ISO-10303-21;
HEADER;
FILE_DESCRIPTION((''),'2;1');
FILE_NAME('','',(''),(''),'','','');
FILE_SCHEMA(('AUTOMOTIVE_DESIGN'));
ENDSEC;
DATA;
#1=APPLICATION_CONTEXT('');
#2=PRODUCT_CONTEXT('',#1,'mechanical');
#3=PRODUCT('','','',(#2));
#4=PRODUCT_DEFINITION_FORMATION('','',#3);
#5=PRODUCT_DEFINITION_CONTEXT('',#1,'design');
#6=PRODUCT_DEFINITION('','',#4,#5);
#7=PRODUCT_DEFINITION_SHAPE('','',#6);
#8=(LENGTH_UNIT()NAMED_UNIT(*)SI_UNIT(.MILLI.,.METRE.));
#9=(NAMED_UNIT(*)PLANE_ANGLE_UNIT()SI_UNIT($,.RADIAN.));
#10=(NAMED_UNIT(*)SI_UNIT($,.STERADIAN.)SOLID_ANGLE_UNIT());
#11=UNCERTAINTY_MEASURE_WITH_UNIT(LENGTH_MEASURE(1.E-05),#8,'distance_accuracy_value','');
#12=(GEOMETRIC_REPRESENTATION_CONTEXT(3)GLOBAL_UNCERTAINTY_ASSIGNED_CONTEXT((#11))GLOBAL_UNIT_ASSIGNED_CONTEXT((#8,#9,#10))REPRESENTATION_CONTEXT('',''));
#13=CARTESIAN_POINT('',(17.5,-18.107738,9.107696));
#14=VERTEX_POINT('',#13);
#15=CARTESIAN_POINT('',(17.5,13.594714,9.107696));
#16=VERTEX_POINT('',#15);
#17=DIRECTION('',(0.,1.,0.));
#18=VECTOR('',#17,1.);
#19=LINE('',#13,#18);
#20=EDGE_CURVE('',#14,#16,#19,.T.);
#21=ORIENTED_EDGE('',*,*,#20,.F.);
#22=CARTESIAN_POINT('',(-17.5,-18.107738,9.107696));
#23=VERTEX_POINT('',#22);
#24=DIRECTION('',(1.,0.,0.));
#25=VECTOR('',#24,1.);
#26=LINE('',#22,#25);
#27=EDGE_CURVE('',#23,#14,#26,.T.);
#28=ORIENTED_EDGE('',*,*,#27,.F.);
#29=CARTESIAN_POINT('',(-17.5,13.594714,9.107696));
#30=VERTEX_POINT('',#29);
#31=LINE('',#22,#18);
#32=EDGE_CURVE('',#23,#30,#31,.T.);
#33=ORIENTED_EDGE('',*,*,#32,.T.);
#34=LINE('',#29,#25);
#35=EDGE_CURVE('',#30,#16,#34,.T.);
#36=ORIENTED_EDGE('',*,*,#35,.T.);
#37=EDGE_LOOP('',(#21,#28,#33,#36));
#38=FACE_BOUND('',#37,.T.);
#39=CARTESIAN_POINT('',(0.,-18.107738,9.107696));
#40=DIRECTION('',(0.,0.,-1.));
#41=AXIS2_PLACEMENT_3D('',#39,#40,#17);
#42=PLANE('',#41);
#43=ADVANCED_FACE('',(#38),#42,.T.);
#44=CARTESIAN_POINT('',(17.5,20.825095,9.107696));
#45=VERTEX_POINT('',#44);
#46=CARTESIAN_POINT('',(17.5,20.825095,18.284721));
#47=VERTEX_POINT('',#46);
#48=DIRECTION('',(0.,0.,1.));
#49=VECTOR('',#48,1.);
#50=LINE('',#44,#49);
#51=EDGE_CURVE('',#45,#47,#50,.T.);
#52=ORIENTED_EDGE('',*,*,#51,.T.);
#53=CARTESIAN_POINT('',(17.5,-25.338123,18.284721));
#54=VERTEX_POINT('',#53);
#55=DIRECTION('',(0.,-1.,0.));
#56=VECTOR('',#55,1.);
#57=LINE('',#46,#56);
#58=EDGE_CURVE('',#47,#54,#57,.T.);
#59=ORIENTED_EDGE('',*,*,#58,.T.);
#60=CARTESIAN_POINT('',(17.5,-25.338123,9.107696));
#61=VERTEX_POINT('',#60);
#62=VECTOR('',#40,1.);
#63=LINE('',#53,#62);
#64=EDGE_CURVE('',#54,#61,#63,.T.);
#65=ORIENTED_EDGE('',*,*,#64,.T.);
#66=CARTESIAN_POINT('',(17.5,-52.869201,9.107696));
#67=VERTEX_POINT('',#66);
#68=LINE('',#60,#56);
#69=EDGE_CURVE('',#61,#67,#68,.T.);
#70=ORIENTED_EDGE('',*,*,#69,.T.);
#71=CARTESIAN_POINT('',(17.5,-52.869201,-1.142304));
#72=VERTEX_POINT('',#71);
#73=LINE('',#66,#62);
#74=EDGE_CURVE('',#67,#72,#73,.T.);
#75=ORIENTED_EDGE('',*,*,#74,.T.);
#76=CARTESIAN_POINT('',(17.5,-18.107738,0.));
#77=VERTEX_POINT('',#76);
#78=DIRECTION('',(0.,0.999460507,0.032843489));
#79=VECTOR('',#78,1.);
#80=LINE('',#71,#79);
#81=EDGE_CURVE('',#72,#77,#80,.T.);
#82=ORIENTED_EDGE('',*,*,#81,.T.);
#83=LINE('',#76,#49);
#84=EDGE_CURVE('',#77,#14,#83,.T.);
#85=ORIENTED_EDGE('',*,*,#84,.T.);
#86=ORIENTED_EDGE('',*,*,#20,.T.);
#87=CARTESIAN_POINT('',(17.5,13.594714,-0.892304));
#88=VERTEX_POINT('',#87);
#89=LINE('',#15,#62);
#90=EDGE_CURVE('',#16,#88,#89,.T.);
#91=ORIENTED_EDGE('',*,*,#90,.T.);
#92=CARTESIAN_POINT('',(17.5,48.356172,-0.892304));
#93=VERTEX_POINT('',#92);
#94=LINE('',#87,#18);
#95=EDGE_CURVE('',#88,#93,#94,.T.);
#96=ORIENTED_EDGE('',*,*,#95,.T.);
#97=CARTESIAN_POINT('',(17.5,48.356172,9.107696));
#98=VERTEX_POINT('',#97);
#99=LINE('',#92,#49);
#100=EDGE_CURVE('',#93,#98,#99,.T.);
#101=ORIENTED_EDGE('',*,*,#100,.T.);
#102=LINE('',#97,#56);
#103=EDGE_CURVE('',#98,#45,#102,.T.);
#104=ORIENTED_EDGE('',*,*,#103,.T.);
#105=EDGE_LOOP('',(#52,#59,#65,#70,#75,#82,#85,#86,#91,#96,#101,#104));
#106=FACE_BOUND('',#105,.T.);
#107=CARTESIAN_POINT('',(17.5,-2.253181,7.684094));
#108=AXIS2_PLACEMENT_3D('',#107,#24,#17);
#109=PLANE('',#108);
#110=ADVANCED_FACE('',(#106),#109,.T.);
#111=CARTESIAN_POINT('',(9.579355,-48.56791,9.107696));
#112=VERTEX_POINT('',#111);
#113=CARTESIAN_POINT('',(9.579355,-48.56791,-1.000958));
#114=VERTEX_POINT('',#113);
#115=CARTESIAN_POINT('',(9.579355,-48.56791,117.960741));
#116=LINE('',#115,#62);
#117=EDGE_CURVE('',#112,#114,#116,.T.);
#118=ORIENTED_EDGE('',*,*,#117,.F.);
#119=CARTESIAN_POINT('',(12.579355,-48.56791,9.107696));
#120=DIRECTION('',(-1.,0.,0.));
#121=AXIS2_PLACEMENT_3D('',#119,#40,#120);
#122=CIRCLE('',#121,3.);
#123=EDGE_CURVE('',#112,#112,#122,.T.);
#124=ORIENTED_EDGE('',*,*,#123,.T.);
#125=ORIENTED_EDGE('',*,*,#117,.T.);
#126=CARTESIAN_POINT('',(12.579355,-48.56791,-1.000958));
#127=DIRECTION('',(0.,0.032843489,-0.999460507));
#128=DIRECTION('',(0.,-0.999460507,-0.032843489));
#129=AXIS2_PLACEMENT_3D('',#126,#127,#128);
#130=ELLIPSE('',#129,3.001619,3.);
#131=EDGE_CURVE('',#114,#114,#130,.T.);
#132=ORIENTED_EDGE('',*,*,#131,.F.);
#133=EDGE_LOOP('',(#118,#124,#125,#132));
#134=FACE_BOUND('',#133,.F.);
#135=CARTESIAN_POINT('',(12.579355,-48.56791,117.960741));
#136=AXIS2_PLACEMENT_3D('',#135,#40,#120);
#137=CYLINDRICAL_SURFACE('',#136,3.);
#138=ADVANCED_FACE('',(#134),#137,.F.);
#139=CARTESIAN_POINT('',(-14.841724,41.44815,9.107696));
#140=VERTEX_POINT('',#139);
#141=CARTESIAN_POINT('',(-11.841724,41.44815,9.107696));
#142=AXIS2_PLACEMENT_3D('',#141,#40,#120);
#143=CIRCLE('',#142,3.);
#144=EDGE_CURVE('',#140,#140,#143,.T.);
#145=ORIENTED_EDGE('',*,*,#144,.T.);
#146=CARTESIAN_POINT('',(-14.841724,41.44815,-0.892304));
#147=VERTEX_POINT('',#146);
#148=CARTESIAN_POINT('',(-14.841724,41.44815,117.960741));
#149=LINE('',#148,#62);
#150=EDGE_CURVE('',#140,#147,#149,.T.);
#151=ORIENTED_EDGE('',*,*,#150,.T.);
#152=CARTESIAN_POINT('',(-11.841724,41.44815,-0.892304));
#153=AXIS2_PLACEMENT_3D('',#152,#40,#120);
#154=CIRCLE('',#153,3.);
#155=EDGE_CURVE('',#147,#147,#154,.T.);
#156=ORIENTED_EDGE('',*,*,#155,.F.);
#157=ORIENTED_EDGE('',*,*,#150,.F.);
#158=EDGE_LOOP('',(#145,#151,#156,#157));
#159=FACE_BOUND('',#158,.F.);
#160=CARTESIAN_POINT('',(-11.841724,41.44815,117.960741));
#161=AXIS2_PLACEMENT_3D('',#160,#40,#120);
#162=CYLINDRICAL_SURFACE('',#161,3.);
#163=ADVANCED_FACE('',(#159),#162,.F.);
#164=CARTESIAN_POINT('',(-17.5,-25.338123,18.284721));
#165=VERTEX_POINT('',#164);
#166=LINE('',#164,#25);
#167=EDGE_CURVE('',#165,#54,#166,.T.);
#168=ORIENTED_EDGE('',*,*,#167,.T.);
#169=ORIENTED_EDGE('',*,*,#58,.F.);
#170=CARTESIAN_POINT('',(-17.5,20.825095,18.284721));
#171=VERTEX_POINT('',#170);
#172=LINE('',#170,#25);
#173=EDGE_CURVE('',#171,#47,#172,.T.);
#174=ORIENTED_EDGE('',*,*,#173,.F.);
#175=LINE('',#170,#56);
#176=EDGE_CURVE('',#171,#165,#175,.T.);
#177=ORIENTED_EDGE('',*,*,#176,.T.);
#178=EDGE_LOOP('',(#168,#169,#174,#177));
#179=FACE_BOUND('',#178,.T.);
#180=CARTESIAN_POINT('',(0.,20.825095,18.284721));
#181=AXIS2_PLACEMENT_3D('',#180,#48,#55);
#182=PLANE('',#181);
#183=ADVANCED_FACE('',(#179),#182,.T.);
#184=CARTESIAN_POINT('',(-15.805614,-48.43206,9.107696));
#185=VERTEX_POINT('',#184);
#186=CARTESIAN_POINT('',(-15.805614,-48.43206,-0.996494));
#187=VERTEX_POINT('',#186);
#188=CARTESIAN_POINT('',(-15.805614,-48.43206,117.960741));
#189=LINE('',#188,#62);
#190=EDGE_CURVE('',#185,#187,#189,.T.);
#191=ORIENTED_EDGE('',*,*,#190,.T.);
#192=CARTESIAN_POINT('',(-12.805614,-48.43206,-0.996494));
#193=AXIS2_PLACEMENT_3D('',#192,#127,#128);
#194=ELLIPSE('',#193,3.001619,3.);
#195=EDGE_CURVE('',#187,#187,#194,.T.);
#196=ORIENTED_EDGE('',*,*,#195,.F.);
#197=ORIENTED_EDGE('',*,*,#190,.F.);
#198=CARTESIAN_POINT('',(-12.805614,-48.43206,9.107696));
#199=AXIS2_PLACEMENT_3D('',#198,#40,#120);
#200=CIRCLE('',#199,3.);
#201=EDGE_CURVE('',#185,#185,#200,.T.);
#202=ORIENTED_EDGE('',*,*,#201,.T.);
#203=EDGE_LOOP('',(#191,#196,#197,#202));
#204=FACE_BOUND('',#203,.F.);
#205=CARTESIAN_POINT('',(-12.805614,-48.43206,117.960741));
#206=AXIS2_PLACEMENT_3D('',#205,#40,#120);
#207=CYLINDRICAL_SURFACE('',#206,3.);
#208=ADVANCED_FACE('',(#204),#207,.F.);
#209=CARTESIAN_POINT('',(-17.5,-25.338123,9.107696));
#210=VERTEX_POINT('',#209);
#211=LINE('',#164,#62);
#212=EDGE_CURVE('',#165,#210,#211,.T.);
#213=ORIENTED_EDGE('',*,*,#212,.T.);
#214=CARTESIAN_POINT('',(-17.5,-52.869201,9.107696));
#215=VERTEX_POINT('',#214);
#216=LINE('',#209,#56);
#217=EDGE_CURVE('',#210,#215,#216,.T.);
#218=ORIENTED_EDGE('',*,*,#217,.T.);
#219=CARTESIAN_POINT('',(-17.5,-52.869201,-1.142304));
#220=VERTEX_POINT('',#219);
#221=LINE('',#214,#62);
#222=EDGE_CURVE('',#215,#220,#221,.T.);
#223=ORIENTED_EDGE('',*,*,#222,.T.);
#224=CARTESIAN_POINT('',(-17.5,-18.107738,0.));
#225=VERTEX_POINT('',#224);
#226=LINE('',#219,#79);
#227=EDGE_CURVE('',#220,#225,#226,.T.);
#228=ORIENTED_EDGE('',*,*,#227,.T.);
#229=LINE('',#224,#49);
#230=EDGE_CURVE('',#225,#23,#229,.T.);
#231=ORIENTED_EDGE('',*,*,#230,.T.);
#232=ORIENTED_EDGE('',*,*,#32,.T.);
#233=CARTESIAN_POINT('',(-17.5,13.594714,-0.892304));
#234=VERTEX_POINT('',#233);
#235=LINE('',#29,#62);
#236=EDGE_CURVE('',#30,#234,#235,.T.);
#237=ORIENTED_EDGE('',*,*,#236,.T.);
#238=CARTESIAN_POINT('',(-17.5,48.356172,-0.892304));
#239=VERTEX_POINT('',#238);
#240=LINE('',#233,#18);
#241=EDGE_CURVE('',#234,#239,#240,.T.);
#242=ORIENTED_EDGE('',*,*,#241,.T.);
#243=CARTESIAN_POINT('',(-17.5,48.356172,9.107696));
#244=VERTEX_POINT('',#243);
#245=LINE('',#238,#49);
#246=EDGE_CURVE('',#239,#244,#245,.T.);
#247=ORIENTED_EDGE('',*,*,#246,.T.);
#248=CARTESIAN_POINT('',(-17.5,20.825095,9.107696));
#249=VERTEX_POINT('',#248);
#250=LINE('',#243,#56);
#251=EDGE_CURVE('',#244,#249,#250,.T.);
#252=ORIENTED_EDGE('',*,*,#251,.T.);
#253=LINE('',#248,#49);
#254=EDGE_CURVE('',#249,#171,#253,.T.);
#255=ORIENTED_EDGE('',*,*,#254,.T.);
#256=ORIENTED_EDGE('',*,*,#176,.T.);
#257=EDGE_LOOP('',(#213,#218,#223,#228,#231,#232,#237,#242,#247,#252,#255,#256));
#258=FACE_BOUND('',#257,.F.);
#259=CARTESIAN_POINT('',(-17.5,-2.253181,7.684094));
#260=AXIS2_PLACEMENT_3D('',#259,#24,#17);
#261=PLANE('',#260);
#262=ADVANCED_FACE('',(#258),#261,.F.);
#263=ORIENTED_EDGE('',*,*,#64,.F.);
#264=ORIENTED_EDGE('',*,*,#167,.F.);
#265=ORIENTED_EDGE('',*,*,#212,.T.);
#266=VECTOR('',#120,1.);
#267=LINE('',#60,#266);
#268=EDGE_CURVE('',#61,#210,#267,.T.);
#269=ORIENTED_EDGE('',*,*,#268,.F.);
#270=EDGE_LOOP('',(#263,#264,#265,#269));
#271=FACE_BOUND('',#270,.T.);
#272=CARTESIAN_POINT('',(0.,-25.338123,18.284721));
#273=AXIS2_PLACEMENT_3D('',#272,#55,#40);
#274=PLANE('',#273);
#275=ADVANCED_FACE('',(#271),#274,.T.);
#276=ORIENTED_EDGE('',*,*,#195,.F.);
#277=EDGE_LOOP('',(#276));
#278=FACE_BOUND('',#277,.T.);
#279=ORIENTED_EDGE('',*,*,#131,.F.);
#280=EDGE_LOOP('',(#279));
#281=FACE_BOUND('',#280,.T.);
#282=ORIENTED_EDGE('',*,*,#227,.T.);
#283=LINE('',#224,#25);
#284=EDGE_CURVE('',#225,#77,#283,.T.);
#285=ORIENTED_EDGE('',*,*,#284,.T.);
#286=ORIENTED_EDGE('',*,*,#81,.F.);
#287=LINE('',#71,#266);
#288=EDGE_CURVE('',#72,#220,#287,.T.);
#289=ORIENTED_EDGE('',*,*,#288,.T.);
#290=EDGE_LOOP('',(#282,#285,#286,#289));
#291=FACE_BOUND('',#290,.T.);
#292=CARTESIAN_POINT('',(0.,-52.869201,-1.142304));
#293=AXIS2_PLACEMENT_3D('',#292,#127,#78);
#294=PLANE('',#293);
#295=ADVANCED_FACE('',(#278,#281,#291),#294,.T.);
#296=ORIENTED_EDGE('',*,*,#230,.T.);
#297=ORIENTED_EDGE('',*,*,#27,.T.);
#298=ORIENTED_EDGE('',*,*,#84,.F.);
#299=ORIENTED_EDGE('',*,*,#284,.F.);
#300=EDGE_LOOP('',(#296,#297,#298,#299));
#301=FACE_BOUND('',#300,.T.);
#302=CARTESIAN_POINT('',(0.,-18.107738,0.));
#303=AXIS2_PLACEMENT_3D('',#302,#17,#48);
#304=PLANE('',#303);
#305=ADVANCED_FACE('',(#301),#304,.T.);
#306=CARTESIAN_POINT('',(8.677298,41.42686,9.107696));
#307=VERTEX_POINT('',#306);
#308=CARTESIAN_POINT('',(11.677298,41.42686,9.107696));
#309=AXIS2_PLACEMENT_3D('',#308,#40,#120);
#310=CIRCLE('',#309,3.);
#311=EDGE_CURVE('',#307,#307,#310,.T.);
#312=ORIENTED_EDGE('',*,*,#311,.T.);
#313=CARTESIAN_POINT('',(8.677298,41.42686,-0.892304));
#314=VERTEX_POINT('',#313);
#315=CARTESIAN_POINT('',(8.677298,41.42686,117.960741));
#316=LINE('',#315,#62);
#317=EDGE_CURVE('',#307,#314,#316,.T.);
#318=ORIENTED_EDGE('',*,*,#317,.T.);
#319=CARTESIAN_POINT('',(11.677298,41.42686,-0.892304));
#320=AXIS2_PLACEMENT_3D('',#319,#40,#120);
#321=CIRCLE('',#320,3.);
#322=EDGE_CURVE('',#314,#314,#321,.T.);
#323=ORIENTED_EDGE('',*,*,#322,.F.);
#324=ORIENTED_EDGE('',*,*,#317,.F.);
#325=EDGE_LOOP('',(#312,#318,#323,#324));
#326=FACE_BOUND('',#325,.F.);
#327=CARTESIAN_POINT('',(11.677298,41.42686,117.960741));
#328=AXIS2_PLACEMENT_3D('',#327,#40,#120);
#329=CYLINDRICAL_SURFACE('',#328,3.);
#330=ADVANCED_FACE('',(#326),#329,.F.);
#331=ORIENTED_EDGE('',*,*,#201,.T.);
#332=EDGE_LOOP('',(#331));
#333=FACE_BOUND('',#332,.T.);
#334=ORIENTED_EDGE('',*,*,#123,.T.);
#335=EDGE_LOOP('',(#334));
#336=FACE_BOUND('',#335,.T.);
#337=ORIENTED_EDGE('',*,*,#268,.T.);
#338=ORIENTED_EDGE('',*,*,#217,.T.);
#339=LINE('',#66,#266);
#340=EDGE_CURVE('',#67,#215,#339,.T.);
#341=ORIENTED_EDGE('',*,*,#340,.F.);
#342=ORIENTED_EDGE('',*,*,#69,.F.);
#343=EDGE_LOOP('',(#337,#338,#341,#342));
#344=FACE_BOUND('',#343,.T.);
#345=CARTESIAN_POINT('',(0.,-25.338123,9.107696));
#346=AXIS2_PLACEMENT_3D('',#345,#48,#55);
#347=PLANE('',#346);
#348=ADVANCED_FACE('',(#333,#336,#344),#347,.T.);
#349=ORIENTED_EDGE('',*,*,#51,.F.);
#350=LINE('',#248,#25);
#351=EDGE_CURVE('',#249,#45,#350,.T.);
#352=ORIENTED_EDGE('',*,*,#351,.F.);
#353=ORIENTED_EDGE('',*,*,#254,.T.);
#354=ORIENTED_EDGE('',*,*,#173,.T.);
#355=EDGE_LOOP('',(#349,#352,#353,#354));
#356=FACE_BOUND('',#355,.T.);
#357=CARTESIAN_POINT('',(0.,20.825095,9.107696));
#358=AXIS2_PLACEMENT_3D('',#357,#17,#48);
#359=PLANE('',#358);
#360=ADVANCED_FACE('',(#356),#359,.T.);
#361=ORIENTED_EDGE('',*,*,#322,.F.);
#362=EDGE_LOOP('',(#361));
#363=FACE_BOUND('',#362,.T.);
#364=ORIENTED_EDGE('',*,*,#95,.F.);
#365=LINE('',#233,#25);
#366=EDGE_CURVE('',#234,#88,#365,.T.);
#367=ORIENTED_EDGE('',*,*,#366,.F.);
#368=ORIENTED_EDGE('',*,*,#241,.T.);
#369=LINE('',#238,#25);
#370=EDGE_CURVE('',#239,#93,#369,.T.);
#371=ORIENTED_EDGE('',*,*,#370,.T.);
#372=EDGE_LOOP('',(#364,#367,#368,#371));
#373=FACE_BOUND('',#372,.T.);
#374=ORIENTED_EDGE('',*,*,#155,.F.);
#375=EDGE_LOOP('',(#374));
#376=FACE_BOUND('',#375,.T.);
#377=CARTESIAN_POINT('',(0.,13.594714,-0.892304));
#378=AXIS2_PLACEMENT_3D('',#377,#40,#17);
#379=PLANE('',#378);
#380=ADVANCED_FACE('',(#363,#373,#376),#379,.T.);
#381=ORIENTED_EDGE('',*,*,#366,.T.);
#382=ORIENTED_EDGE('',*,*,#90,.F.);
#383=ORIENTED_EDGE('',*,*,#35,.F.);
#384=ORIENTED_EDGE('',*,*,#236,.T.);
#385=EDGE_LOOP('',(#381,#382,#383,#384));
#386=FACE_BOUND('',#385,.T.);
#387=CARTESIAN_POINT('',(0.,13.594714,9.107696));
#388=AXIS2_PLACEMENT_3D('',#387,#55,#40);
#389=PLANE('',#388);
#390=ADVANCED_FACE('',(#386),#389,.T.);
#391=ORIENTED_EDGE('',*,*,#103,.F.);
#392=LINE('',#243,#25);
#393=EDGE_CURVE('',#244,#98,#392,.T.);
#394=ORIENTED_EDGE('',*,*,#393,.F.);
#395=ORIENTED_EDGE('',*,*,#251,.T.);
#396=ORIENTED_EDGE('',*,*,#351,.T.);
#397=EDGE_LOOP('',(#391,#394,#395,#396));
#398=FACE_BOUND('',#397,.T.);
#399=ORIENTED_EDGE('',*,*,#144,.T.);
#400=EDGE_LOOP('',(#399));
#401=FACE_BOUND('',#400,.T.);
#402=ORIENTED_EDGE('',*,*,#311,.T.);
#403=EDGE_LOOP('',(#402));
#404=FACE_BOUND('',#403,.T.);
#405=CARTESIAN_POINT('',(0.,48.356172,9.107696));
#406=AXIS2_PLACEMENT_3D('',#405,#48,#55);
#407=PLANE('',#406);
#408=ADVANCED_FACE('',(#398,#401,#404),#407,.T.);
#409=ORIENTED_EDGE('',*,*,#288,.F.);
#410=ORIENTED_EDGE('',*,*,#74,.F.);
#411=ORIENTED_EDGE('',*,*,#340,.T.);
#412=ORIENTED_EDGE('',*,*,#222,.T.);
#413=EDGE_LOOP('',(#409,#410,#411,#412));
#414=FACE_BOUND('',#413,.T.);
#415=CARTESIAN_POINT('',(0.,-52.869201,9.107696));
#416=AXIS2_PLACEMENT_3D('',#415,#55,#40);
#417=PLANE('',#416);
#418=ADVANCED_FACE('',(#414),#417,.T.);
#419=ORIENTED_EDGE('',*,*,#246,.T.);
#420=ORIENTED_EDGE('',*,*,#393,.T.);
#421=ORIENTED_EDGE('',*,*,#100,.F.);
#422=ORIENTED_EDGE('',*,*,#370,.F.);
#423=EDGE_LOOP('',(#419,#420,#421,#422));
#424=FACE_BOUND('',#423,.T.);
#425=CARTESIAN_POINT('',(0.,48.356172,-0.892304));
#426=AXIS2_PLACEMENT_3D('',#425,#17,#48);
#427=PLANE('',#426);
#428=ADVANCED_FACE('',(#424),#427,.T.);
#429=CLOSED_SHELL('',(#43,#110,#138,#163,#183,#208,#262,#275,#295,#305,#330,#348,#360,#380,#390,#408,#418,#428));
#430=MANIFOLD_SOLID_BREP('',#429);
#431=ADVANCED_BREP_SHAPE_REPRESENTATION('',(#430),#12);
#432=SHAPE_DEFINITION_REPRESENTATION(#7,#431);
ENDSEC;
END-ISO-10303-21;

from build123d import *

# Parameters (mm, degrees)
F1_DEPTH = 17.5
F4_D     = 6


with BuildPart() as f1:
    # F0 (on Right) → F1 (new body, symmetric)
    with BuildSketch(Plane.YZ):
        Polygon((-52.869201, -1.142304), (-18.107738, 0), (-18.107738, 9.107696), (13.594714, 9.107696), (13.594714, -0.892304), (48.356172, -0.892304), (48.356172, 9.107696), (20.825095, 9.107696), (20.825095, 18.284721), (-25.338123, 18.284721), (-25.338123, 9.107696), (-52.869201, 9.107696), align=None)
    extrude(amount=F1_DEPTH, both=True)

    # F4 (through all)
    with Locations(Plane.XY.offset(9.107696)):
        with Locations((12.579355, -48.56791), (-12.805614, -48.43206), (-11.841724, 41.44815), (11.677298, 41.42686)):
            Hole(F4_D / 2)


solid = f1.part
